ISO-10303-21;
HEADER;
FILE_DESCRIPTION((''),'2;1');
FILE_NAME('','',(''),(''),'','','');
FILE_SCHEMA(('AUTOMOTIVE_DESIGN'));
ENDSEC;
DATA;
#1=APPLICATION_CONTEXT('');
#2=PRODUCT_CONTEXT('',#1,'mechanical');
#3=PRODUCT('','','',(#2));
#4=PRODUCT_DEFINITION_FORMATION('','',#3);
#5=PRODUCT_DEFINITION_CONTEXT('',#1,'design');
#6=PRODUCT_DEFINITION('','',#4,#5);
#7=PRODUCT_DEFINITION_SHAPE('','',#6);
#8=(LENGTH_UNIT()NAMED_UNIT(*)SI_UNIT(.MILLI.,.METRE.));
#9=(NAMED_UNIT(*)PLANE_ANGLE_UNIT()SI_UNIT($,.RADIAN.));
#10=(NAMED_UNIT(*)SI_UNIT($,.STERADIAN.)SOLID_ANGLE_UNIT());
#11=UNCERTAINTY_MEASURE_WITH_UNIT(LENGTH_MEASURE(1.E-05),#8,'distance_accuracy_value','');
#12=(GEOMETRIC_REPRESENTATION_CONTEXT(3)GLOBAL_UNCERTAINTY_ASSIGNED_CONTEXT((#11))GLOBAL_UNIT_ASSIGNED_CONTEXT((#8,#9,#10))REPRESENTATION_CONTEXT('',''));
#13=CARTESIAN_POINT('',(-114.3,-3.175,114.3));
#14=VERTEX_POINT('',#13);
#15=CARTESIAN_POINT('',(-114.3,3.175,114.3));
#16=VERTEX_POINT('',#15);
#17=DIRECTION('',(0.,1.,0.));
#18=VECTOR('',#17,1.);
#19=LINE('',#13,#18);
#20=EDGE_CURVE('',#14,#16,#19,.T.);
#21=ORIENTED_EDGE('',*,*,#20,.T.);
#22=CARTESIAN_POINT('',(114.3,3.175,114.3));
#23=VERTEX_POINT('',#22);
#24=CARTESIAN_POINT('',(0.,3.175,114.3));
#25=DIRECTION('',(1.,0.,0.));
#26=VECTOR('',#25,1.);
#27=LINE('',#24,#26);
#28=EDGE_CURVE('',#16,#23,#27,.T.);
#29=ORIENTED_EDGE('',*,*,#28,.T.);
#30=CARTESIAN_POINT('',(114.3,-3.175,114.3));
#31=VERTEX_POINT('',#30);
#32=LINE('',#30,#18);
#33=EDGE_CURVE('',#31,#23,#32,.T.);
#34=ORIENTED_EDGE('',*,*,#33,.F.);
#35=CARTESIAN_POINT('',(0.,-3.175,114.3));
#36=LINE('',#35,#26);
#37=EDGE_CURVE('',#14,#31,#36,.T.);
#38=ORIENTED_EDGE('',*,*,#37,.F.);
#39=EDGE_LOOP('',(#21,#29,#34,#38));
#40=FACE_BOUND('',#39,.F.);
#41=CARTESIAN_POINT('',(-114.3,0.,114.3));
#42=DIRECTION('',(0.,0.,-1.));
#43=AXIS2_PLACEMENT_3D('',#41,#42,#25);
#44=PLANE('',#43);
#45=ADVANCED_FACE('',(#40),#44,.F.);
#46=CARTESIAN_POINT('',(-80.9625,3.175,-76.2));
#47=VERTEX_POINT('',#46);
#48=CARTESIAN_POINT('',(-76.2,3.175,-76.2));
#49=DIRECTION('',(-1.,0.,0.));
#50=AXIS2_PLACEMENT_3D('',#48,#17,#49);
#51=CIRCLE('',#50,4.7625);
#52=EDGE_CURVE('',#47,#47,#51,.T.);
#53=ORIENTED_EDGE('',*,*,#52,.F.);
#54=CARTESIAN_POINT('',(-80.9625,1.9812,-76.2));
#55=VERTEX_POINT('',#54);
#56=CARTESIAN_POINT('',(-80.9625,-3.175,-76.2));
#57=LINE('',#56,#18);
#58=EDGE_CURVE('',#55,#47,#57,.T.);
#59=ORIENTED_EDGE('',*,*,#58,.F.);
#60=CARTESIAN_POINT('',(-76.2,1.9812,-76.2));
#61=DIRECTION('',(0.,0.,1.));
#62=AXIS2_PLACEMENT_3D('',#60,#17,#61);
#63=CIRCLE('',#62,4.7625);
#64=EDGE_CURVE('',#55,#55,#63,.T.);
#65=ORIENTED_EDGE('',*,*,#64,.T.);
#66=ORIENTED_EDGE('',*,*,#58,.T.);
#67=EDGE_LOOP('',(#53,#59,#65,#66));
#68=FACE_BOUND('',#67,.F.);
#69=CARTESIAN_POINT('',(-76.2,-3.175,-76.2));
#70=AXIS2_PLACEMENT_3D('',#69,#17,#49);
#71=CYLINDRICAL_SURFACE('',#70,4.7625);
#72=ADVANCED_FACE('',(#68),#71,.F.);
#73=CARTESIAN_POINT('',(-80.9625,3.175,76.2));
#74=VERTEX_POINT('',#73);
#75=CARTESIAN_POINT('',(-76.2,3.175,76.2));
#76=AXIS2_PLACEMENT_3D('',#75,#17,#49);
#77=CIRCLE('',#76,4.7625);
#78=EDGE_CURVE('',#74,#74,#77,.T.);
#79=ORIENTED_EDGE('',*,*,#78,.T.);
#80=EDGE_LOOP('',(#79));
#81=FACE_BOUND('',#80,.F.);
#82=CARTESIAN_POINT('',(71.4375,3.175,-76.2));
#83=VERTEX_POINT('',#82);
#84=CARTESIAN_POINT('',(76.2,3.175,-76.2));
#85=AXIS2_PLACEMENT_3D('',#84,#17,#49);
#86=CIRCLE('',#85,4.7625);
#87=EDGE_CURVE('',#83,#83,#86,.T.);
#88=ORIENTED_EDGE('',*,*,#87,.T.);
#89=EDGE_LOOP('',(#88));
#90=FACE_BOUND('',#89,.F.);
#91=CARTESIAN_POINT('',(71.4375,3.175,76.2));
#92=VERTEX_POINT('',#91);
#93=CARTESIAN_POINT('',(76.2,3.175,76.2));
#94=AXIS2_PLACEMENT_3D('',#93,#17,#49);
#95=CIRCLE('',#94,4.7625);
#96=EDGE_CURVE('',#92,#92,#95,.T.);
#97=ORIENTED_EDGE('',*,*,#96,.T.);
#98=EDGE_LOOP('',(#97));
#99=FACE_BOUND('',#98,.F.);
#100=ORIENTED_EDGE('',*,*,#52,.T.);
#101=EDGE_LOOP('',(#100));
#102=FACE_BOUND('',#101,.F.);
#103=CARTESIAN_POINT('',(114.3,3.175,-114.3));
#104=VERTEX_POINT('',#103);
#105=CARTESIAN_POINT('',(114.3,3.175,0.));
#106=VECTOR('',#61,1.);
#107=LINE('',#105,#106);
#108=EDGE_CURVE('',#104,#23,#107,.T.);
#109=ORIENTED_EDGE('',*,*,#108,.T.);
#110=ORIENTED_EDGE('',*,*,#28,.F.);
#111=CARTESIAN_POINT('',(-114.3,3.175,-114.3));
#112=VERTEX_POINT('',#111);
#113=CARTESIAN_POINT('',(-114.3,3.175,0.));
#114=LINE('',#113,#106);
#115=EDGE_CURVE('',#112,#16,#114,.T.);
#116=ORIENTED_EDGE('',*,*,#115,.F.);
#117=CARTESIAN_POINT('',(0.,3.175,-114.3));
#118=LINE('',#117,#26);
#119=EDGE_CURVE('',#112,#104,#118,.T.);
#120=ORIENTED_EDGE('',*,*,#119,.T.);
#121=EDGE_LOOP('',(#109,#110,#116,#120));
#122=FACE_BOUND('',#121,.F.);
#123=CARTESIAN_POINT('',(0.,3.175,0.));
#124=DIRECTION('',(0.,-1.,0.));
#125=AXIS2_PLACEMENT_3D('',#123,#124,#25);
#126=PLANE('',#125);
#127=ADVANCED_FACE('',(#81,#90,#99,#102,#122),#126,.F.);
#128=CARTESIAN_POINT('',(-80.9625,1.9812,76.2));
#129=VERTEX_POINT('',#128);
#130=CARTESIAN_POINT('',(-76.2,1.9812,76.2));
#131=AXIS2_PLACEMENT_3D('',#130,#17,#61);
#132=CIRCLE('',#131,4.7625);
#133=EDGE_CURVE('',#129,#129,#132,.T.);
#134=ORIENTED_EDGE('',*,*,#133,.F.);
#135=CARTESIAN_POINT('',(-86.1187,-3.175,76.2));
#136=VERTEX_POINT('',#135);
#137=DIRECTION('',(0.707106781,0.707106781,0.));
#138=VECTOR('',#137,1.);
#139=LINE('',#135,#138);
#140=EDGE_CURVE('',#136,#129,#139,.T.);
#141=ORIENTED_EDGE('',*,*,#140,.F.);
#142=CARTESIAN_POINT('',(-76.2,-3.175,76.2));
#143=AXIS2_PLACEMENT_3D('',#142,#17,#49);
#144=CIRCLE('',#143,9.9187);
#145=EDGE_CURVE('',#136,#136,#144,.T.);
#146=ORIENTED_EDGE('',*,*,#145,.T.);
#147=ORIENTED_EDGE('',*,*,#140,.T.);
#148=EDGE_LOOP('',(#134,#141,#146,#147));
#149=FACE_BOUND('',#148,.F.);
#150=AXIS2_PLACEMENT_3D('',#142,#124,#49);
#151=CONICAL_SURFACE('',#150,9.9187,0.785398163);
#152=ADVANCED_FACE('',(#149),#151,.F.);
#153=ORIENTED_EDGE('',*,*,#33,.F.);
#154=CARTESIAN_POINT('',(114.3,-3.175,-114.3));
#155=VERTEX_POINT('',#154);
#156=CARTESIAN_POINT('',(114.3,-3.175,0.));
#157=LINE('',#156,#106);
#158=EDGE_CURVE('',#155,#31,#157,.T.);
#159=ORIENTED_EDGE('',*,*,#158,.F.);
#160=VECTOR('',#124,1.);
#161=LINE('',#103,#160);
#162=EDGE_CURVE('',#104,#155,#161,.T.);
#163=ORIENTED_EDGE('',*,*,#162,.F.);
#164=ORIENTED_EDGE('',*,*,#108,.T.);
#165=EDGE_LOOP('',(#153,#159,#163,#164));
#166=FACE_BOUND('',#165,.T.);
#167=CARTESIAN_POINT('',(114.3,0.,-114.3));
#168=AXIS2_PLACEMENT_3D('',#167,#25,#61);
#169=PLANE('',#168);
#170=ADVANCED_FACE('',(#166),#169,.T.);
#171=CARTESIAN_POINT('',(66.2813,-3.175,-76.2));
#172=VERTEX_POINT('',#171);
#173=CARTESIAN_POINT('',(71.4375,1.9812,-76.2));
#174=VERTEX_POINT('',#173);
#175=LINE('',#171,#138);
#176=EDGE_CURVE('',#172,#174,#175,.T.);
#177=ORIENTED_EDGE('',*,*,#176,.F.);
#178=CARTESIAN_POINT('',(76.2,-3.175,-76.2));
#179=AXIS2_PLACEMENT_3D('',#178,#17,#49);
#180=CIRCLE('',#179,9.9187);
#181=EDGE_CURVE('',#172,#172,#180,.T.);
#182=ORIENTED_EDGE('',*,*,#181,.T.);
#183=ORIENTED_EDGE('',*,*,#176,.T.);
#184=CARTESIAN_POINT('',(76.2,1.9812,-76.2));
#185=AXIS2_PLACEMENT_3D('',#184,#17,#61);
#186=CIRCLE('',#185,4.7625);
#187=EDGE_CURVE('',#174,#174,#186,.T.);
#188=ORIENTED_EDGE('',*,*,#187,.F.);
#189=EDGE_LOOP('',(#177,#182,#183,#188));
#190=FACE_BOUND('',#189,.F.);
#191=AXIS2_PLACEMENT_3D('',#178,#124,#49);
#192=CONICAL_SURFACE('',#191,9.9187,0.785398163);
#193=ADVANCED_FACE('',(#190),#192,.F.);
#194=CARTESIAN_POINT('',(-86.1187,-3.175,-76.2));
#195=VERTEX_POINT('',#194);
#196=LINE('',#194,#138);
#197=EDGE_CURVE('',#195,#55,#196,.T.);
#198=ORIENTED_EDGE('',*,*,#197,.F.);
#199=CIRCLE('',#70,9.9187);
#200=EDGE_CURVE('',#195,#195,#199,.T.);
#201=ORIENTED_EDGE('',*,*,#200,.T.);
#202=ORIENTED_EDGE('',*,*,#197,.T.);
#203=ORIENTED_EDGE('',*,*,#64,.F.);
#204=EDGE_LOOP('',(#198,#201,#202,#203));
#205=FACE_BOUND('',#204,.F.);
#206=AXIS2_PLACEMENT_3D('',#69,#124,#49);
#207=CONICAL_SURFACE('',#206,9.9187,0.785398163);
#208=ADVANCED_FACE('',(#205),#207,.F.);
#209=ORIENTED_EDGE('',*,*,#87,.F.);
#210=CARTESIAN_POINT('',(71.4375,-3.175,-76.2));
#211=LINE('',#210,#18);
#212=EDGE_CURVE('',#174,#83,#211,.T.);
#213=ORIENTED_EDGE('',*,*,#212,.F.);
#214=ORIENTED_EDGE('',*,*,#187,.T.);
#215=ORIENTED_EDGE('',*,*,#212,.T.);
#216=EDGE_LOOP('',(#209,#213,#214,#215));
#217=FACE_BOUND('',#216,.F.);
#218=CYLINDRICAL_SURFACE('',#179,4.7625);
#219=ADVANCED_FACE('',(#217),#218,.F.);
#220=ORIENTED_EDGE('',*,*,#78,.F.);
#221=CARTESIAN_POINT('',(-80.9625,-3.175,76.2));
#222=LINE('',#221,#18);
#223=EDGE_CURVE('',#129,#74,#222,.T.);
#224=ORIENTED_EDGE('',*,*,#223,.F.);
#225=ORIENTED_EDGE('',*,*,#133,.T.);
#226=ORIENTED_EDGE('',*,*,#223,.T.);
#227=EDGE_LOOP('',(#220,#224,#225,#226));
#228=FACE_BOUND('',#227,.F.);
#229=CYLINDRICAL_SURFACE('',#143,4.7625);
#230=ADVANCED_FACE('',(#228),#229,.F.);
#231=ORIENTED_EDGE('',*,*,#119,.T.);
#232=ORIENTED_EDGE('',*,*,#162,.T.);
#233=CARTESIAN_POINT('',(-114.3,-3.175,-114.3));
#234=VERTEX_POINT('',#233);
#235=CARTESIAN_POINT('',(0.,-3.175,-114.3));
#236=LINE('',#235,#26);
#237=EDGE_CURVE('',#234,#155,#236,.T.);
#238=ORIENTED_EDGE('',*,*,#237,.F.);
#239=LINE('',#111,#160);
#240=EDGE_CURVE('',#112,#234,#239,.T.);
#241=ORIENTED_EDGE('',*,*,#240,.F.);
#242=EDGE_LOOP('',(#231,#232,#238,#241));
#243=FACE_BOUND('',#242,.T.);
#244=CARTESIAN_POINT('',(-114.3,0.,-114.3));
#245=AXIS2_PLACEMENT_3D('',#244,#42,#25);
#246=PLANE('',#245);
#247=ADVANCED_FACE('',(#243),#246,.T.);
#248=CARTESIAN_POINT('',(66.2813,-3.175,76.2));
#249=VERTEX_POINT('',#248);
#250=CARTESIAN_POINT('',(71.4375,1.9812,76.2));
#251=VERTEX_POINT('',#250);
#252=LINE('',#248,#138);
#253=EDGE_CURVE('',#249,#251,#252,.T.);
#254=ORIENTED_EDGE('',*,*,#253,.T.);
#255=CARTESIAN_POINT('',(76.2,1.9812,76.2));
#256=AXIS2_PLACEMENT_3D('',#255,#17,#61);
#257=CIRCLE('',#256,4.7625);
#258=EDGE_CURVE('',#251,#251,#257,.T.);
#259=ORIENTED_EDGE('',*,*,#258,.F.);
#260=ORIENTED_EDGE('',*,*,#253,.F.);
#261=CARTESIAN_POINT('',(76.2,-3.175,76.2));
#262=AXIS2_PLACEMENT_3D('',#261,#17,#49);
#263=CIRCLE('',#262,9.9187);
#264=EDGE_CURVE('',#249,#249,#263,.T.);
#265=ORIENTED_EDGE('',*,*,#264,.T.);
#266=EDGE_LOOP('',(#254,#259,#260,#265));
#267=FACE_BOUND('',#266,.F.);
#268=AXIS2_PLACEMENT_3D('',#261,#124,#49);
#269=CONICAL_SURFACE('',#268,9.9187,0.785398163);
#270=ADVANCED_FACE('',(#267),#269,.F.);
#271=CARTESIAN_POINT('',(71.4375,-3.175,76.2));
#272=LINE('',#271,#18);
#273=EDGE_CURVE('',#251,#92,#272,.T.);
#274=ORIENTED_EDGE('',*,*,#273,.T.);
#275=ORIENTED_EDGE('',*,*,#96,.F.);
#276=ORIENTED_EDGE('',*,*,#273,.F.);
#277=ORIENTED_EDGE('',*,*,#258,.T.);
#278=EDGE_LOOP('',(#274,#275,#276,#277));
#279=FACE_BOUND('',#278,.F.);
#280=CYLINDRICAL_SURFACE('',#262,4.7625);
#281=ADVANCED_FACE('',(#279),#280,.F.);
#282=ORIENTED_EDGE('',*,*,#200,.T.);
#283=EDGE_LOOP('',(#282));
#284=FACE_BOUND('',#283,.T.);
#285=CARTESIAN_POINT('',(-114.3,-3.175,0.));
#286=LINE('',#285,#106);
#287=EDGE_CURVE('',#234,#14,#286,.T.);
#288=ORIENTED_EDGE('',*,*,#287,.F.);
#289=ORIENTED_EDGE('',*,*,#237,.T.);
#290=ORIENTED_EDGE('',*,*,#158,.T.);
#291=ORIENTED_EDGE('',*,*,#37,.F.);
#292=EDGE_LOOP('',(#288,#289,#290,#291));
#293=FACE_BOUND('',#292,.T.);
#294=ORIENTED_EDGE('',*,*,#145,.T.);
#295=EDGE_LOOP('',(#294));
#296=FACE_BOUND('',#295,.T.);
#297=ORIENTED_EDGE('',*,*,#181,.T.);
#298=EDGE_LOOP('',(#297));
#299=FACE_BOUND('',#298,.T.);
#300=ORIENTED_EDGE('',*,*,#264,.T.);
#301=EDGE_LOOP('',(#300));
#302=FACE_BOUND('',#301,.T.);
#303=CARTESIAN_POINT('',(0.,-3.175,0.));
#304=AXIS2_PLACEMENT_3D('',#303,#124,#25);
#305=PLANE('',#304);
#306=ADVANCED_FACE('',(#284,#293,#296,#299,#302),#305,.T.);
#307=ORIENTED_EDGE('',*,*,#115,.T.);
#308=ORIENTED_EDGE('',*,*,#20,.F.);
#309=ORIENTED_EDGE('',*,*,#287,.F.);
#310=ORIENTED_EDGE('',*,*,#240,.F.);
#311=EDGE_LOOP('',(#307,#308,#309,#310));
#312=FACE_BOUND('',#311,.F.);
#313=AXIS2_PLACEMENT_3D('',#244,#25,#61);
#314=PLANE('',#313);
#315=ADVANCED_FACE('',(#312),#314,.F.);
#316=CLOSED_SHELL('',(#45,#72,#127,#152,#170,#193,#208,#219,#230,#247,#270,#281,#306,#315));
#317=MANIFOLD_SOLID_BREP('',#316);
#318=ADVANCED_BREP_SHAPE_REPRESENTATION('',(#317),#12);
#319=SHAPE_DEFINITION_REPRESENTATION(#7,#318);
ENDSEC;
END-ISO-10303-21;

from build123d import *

# Parameters (mm, degrees)
F0_W           = 228.6
F0_H           = 228.6
F1_DEPTH       = 3.175
F3_D           = 9.525
F3_CSINK_D     = 19.8374
F3_CSINK_ANGLE = 90


with BuildPart() as f1:
    # F0 (on Front) → F1 (new body, symmetric)
    with BuildSketch(Plane.XZ):
        Rectangle(F0_W, F0_H)
    extrude(amount=F1_DEPTH, both=True)

    # F3 (through all)
    with Locations(Plane.XZ.offset(3.175)):
        with Locations((-76.2, 76.2), (76.2, 76.2), (76.2, -76.2), (-76.2, -76.2)):
            CounterSinkHole(F3_D / 2, F3_CSINK_D / 2, counter_sink_angle=F3_CSINK_ANGLE)


solid = f1.part
